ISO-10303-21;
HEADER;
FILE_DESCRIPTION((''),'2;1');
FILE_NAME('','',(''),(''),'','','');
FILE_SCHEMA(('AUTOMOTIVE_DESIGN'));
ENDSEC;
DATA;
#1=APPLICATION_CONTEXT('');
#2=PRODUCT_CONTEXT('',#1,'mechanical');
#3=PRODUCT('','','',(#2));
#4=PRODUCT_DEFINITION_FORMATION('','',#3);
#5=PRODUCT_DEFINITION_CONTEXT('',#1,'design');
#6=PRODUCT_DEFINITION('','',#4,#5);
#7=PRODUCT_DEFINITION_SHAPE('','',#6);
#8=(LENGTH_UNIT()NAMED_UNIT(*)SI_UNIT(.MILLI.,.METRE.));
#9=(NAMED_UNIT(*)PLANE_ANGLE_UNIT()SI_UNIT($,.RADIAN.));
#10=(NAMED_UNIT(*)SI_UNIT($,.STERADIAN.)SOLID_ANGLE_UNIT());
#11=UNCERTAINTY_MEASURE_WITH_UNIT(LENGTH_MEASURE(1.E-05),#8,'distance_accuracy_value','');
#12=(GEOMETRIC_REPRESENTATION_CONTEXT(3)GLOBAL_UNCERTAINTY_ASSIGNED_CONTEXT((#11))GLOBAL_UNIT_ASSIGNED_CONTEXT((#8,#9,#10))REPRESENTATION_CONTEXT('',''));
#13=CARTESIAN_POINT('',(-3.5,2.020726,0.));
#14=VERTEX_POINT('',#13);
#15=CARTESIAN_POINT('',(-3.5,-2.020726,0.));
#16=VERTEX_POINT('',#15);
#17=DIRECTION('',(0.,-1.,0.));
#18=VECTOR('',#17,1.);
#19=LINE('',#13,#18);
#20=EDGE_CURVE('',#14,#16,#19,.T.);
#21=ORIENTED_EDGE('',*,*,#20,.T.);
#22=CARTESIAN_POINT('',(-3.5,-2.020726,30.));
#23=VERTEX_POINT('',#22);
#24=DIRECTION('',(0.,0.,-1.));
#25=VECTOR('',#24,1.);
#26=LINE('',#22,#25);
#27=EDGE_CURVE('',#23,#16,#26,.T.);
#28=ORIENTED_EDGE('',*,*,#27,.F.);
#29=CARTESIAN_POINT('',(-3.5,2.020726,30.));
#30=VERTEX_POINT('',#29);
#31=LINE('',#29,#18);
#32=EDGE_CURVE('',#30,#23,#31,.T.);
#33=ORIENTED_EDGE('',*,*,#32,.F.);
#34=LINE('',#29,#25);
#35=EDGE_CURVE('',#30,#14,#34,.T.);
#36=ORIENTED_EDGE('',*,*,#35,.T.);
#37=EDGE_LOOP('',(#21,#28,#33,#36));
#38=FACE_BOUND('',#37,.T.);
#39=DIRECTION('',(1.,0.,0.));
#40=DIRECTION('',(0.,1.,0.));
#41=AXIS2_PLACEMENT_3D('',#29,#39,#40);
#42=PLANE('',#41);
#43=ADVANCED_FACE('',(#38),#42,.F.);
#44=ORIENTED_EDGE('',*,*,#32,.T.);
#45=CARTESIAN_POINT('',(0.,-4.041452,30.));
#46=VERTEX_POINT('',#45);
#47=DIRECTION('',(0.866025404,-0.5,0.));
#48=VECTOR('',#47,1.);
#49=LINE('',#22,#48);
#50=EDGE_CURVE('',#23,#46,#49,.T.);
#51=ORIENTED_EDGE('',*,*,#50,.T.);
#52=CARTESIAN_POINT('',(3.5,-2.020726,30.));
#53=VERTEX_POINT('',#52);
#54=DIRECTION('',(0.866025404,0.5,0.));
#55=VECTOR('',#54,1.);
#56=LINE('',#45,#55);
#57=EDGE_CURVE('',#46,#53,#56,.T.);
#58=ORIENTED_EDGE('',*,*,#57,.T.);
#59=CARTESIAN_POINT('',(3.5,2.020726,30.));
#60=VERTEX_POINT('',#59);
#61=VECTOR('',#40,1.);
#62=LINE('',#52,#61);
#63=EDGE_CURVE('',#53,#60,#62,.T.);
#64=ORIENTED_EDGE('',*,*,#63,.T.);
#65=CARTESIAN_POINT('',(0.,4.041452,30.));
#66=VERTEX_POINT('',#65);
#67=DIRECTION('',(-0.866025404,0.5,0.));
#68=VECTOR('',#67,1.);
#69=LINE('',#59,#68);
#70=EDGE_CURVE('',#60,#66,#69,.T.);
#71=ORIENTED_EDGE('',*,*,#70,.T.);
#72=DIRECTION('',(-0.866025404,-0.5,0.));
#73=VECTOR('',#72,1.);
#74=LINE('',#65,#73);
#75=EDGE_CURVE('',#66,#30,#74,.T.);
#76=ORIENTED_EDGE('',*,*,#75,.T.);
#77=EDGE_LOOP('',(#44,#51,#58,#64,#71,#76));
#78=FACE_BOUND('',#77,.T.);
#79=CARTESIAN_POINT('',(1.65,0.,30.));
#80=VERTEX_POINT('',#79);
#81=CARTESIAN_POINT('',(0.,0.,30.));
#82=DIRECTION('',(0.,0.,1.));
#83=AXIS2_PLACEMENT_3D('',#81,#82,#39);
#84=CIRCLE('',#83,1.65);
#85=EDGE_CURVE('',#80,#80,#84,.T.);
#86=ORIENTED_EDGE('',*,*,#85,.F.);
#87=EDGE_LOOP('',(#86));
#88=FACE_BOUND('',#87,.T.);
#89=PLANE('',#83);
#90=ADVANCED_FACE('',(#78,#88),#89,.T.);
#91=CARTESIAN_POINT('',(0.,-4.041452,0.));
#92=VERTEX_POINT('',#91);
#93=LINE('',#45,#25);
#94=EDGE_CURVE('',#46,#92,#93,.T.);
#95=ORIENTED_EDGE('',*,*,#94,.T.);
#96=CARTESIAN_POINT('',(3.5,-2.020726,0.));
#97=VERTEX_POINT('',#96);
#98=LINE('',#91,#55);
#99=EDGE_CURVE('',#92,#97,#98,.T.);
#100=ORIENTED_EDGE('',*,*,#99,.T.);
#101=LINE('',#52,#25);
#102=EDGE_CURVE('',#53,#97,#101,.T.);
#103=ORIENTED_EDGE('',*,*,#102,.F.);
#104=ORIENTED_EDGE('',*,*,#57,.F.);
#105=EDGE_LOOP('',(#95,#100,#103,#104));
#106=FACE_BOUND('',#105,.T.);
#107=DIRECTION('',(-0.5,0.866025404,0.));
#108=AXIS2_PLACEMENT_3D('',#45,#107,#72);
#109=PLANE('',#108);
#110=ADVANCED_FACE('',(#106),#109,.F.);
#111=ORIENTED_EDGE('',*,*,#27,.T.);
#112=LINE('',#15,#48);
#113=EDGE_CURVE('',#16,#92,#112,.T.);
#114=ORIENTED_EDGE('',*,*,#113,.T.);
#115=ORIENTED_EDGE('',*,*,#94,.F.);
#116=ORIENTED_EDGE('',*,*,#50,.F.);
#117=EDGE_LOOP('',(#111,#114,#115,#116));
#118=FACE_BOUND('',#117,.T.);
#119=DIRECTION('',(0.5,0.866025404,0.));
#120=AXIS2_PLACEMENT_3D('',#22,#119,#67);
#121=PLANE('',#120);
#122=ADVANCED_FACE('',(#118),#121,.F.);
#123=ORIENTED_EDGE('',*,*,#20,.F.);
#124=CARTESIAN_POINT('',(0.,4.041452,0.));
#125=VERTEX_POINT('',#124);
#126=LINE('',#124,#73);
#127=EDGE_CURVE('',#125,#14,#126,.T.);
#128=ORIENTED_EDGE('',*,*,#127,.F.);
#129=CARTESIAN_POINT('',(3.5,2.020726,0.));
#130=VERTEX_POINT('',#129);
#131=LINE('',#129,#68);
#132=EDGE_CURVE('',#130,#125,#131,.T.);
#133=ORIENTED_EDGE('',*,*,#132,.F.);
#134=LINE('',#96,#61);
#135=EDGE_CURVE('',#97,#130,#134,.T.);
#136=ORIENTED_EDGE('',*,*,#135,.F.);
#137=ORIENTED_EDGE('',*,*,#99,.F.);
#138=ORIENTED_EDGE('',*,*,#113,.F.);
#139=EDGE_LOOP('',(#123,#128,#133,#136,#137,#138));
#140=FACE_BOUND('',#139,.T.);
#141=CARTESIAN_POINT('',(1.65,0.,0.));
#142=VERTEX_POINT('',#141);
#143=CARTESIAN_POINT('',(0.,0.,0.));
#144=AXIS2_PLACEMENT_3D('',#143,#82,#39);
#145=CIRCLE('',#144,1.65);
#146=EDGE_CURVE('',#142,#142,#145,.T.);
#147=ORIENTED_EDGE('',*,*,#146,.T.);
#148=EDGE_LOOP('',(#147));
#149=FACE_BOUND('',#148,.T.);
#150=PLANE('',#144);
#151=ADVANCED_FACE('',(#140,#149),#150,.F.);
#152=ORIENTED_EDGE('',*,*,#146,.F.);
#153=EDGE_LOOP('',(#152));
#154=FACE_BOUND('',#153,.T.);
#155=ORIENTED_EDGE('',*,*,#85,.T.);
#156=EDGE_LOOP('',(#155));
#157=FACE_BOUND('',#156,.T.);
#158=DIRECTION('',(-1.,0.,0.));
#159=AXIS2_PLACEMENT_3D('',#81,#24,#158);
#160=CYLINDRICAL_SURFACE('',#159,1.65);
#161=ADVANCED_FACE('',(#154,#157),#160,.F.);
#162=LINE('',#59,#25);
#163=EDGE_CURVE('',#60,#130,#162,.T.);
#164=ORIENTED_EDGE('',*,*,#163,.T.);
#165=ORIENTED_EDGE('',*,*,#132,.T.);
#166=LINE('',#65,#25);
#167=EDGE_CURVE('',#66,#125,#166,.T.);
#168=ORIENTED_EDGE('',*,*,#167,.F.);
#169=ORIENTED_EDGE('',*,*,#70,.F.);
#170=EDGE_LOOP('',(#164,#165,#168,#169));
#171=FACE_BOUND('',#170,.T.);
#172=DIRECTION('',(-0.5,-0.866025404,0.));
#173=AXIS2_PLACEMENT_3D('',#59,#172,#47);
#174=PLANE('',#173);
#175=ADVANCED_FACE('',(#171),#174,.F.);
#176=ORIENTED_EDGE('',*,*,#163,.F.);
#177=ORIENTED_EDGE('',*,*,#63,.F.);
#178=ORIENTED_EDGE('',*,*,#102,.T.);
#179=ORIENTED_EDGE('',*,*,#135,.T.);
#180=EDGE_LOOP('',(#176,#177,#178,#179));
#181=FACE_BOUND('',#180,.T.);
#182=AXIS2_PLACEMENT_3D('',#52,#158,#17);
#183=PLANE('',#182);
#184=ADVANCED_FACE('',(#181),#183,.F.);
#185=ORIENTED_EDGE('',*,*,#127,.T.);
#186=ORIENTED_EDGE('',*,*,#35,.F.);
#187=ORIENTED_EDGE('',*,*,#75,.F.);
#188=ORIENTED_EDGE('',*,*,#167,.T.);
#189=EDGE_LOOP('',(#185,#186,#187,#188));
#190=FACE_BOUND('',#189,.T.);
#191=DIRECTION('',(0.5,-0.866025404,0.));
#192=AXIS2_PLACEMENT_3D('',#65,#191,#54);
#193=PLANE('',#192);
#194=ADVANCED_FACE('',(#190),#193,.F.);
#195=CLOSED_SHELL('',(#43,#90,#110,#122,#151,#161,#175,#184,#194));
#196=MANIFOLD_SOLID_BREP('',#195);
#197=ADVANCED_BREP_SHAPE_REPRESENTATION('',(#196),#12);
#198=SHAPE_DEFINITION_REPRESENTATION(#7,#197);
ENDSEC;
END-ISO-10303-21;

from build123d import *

# Parameters (mm, degrees)
PROFILE_1_R        = 1.65
HEX_STANDOFF_DEPTH = 30


with BuildPart() as part:
    # Profile_1 → Hex_standoff (new body)
    with BuildSketch(Plane.XY):
        Polygon((3.5, 2.020725942), (0, 4.041451884), (-3.5, 2.020725942), (-3.5, -2.020725942), (0, -4.041451884), (3.5, -2.020725942), align=None)
        Circle(PROFILE_1_R, mode=Mode.SUBTRACT)
    extrude(amount=HEX_STANDOFF_DEPTH)


solid = part.part
